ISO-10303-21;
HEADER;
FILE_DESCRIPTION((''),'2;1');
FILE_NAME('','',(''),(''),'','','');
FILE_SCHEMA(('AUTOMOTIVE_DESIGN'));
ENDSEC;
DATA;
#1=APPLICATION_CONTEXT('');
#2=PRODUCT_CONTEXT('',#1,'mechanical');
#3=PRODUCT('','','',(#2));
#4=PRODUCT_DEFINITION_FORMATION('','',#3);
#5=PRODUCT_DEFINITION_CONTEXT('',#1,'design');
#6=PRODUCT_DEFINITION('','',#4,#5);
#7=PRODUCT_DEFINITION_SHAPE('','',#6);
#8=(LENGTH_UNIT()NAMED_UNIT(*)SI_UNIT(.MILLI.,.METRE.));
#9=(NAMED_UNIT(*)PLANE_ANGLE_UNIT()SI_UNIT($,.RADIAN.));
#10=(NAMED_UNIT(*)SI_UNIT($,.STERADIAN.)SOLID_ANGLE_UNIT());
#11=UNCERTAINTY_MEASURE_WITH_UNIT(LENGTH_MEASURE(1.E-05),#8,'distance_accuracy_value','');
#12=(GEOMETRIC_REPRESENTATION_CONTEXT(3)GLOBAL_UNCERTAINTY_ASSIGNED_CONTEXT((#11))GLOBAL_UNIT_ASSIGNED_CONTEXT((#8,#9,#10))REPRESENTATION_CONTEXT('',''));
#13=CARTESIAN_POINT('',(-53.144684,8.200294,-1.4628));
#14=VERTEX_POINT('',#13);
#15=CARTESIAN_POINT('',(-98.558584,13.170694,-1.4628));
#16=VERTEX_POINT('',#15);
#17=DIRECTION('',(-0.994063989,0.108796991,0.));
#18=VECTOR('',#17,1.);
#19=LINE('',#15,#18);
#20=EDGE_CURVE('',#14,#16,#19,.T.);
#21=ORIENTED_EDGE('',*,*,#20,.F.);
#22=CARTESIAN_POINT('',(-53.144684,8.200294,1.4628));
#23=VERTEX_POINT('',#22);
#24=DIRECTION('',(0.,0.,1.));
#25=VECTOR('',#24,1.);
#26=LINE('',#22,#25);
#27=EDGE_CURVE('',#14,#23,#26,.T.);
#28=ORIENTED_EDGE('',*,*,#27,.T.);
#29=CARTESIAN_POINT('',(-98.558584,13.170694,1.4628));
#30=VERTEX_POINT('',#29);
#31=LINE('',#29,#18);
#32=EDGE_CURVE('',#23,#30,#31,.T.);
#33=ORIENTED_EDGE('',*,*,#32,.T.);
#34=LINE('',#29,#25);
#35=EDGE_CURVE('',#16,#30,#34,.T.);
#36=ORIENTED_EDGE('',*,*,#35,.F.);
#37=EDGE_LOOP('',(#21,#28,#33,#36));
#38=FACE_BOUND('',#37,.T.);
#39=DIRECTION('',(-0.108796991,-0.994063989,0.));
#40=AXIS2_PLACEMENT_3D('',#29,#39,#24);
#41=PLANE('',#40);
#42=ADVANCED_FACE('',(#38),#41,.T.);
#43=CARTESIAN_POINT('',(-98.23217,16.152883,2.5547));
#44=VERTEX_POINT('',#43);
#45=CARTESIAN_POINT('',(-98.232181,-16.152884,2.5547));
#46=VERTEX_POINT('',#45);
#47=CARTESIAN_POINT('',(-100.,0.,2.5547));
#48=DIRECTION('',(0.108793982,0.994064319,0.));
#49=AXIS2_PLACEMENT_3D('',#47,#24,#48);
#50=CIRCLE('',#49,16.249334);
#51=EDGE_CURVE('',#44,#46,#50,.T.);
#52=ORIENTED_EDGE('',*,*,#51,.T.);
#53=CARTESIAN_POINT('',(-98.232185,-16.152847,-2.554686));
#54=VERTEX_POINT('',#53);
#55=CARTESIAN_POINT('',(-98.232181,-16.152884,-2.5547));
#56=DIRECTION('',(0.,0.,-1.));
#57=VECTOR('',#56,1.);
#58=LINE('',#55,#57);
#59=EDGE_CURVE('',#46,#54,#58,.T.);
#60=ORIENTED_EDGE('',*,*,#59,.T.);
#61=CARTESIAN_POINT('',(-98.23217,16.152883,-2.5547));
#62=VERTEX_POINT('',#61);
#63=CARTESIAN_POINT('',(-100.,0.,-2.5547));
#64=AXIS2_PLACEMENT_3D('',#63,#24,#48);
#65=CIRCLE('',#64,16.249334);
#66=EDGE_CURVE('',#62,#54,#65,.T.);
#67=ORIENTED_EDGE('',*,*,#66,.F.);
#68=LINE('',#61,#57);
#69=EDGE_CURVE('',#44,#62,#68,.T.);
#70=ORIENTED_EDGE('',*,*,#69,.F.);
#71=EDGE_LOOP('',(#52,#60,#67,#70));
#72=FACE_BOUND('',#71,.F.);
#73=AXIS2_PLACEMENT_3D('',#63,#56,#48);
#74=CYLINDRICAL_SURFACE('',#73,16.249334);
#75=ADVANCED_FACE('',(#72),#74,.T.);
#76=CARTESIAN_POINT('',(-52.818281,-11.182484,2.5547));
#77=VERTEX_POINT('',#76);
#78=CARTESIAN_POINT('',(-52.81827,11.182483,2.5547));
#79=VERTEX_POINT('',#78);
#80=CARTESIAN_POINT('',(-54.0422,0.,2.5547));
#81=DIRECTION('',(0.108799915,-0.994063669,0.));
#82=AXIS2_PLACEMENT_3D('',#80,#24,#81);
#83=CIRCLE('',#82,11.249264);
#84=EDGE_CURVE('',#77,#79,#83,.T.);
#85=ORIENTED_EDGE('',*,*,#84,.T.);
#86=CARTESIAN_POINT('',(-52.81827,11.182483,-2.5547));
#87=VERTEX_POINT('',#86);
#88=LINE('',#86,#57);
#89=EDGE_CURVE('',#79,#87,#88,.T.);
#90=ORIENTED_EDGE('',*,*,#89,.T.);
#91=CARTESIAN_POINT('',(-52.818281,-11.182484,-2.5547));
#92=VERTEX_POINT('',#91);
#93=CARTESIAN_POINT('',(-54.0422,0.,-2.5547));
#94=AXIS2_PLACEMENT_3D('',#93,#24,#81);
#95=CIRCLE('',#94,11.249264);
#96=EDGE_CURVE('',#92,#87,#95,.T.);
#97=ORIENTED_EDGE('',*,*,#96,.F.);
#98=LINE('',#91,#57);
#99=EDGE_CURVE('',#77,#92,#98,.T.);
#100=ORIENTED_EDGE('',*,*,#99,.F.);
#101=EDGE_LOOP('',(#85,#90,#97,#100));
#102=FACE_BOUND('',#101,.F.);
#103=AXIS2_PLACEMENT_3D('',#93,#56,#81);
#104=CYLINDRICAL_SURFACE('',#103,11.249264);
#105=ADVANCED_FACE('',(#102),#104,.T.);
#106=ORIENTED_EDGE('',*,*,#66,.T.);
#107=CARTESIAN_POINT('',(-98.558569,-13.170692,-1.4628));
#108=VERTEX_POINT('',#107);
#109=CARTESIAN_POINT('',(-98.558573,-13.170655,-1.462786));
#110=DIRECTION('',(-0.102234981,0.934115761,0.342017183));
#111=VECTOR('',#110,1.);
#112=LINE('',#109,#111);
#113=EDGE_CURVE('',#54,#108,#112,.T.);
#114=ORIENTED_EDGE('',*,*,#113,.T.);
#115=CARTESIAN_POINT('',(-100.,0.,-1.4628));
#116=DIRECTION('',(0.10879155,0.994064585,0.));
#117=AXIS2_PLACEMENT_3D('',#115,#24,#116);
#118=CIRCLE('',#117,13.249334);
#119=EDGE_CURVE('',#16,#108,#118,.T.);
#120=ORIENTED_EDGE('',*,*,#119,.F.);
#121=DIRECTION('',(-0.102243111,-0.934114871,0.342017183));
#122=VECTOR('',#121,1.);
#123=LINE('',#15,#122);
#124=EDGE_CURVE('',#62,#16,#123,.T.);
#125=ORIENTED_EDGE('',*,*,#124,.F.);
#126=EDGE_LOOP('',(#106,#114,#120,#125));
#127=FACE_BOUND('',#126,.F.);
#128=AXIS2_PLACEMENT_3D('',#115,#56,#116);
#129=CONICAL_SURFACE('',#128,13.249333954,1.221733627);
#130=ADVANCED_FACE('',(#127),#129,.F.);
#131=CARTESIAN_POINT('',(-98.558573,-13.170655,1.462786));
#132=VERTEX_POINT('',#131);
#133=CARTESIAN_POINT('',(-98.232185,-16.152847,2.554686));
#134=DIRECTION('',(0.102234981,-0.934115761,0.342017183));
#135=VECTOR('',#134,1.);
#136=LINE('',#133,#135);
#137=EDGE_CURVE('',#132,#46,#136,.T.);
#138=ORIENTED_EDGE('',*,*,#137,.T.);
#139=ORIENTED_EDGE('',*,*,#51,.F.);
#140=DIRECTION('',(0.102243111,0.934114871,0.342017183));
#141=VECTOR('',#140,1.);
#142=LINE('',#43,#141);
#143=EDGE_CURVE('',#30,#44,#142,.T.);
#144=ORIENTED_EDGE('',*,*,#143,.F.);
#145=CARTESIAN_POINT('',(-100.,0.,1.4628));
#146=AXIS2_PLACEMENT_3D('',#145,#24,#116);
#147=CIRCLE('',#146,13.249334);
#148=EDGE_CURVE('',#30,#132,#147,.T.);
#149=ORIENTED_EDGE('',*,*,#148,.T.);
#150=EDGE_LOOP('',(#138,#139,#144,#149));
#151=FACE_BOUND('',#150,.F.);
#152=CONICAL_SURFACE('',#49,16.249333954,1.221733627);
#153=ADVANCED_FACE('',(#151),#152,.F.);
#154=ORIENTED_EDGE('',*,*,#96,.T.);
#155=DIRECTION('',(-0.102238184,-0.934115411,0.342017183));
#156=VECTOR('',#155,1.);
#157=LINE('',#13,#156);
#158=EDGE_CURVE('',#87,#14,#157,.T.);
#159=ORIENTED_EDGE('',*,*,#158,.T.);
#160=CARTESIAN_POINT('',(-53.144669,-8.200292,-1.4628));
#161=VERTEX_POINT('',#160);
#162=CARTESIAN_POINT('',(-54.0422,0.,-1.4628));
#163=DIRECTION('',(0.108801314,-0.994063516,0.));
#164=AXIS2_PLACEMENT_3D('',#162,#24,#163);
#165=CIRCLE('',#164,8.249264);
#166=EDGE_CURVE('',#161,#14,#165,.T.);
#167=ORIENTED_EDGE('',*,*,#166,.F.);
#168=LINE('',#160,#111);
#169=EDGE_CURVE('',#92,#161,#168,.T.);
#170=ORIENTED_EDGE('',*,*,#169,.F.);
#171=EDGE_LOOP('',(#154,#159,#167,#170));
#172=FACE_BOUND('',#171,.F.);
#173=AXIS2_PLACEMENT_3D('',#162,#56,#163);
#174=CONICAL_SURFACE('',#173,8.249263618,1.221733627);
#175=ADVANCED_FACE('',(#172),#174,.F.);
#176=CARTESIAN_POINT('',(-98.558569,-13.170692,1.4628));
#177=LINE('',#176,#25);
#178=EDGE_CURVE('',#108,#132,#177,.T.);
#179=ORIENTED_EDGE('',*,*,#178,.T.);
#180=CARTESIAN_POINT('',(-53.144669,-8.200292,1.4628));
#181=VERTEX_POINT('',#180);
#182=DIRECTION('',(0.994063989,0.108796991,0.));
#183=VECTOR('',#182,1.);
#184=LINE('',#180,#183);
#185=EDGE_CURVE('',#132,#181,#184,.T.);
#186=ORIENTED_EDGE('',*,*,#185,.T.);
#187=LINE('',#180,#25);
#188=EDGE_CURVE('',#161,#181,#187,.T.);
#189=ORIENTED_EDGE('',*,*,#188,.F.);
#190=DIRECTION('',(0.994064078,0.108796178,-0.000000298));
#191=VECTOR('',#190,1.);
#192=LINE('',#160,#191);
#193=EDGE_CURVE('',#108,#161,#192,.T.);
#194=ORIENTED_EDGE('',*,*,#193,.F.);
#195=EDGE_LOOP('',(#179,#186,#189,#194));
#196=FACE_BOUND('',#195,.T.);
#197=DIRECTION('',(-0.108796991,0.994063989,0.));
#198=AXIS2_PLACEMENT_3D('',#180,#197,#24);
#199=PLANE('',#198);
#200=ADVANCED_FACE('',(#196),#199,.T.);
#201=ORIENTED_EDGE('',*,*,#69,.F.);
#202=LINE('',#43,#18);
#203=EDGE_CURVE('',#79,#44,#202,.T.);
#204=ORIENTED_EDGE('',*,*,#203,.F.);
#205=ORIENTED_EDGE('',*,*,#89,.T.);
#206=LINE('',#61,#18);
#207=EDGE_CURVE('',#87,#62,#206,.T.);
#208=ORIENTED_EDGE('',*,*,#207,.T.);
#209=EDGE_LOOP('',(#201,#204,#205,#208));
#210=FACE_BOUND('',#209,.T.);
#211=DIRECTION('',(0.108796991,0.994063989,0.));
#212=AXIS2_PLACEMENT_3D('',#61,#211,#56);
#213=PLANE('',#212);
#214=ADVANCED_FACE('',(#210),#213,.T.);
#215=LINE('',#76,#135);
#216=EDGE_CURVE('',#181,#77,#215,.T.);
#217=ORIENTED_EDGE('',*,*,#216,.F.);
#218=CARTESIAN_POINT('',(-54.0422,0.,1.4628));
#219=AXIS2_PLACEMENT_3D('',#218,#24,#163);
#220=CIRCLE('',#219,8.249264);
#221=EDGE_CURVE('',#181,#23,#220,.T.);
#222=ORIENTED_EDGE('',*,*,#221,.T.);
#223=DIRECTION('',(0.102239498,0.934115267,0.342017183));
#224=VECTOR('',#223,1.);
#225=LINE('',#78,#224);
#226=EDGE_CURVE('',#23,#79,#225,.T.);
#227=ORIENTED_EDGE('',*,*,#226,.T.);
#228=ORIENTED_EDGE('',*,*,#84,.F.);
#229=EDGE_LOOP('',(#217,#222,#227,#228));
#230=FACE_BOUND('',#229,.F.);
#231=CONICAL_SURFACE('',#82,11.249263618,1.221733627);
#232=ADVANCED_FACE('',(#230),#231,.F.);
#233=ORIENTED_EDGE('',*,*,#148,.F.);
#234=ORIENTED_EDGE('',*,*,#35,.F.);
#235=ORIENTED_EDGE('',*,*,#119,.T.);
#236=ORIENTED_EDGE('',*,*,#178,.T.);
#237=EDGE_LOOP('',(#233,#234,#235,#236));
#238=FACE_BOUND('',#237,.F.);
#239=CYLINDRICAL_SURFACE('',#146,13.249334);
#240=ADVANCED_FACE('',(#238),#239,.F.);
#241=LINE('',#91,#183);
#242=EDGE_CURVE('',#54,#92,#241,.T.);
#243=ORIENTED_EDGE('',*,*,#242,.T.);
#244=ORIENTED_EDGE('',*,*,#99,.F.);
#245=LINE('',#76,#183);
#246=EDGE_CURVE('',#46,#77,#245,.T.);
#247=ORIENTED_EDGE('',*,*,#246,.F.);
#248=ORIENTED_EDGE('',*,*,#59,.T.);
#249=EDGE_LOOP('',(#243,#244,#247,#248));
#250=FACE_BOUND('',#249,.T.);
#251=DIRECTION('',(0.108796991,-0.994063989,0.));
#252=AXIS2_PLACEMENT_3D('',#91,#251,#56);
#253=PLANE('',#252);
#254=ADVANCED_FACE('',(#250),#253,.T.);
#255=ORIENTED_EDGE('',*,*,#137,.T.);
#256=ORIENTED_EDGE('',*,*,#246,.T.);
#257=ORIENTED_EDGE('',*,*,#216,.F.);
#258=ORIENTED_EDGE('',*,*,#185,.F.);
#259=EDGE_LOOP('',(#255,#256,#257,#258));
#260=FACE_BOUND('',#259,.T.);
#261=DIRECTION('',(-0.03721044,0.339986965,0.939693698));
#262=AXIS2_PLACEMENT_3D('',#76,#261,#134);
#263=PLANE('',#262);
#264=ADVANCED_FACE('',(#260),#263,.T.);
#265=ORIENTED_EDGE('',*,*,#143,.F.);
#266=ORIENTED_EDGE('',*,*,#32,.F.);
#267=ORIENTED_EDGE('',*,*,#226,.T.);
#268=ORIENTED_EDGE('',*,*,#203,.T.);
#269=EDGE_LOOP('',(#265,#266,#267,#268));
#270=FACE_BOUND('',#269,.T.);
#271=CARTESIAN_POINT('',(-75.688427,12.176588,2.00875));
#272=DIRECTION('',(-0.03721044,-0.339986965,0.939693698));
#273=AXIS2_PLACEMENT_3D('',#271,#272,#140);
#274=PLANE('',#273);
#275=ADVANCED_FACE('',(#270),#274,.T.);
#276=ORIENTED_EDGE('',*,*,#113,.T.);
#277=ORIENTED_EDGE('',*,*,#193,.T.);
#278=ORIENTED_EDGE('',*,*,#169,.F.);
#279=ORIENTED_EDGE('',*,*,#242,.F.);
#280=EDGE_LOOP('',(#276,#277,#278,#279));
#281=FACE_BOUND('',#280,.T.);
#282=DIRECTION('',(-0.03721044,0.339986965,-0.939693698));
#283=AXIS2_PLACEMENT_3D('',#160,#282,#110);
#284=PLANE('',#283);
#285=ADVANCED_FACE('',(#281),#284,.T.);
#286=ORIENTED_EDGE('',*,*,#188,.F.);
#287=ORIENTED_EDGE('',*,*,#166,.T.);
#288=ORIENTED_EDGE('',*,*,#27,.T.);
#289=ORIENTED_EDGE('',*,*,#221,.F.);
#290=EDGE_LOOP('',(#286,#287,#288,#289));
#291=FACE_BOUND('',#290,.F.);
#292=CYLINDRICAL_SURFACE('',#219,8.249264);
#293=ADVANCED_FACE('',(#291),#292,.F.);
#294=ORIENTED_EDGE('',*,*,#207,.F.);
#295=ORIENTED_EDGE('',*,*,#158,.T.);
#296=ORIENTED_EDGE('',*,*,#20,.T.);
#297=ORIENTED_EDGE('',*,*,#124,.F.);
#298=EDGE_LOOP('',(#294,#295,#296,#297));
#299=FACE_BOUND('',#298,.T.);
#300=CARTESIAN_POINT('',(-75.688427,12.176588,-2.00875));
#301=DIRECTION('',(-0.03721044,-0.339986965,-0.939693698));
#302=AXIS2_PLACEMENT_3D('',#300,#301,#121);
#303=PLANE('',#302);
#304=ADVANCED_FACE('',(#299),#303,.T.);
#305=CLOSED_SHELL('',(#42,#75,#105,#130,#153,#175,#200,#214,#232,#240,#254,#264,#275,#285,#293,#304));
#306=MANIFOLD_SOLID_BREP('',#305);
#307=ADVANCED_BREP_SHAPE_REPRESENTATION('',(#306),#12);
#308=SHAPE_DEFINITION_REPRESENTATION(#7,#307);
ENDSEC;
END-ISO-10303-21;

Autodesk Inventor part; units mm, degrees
ref_plane "YZ Plane" through (0, 0, 0) normal (1, 0, 0) x (0, 1, 0)
ref_plane "XZ Plane" through (0, 0, 0) normal (0, 1, 0) x (-1, 0, 0)
sketch "Skizzenpfad" plane through (0, 0, 0) normal (0, 0, 1) x (1, 0, 0)
  arc A0 (-98.3681, 14.911) -> (-98.3681, -14.911) centre (-100, 0) ccw
  arc A1 (-52.9542, -9.9406) -> (-52.9542, 9.9406) centre (-54.0422, 0) ccw
  line L0 (-52.9542, -9.9406) -> (-98.3681, -14.911)
  line L1 (-98.3681, 14.911) -> (-52.9542, 9.9406)
ref_plane "Querschnittsebene" through (-98.3681, -14.911, 0) normal (0.9941, 0.1088, 0) x (0, 0, 1)
sketch "Querschnitt" plane through (-98.3681, -14.911, 0) normal (0.9941, 0.1088, 0) x (0, 0, 1)
  line L0 (0, 1.2493) -> (0, -1.7507) construction
  line L1 (-2.1, 0) -> (2.1, 0) construction
  line L2 (-2.5547, 1.2493) -> (2.5547, 1.2493)
  line L3 (2.5547, 1.2493) -> (1.4628, -1.7507)
  line L4 (1.4628, -1.7507) -> (-1.4628, -1.7507)
  line L5 (-1.4628, -1.7507) -> (-2.5547, 1.2493)
  point P0 (0, 0)
  point P1 (0, 0)
  point P2 (0, 0)
  dimension "d0" = 4.2
  dimension "d1" = 1.2493
  dimension "d2" = 40
  dimension "d3" = 3
sweep "Riemen" add profiles "Querschnitt" path "Skizzenpfad"
equation "\"d0\" = da_Bw"
equation "\"d1\" = da_Hw"
equation "\"d2\" = da_Alfa"
equation "\"d3\" = da_H"
equation "\"da_Alfa\" = 40deg"
equation "\"da_H\" = 3"
equation "\"da_Bw\" = 4.2"
equation "\"da_Hw\" = 1.2493"
properties part number "Keilriemen" material "Rubber"
